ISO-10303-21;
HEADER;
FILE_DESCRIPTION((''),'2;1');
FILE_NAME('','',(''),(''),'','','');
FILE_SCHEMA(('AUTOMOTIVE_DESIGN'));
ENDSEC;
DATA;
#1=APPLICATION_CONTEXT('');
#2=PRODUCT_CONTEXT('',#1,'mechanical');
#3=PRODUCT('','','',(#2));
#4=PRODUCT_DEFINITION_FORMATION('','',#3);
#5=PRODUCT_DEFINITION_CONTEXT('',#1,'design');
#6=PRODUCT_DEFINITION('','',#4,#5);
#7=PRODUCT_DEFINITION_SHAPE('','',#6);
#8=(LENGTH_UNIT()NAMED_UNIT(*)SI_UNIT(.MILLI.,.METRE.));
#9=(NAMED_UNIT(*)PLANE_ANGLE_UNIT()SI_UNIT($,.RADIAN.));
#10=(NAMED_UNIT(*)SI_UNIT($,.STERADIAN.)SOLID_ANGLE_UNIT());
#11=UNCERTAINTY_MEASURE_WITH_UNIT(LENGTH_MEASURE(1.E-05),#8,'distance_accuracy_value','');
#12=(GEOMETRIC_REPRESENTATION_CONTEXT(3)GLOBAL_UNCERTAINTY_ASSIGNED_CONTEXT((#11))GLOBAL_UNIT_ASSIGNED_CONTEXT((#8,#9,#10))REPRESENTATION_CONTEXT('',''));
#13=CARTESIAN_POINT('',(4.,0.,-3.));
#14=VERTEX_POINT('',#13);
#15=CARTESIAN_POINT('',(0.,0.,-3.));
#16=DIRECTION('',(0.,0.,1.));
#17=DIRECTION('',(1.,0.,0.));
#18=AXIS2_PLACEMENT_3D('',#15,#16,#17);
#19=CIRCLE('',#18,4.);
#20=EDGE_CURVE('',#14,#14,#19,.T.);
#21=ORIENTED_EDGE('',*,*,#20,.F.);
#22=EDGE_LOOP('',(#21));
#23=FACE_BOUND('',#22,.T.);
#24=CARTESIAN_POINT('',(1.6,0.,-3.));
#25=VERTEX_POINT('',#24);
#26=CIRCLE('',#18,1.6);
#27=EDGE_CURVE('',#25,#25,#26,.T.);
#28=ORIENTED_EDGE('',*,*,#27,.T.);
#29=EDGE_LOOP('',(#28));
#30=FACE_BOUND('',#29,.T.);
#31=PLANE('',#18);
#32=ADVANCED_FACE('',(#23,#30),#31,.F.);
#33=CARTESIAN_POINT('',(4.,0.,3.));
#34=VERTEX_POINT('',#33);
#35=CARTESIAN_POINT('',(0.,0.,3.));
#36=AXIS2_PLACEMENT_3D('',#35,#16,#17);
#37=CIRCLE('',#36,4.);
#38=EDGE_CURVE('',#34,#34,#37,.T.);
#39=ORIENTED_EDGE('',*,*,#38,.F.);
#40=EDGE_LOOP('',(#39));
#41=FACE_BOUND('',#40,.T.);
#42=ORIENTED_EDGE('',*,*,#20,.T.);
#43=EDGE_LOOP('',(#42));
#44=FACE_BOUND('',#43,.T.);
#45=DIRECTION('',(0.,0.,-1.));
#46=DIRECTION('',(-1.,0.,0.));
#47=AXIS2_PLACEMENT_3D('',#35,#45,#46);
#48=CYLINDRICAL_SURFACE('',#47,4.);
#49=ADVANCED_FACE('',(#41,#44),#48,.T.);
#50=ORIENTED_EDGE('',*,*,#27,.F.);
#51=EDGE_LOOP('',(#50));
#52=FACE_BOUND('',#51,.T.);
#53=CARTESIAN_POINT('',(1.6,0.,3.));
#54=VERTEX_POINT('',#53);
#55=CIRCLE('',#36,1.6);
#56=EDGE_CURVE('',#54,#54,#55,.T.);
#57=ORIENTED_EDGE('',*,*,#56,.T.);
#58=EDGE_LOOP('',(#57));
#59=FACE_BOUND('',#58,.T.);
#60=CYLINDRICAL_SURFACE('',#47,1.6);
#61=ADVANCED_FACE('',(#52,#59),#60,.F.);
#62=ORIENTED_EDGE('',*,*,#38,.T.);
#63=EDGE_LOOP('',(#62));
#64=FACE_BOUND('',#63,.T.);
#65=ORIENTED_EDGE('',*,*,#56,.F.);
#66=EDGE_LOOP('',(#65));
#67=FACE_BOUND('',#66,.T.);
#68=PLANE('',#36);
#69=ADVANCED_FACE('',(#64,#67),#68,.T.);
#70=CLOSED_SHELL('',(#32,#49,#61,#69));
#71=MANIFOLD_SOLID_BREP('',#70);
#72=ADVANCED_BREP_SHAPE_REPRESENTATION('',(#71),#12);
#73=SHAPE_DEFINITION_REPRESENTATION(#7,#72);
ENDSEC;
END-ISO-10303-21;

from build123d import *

# Parameters (mm, degrees)
ESBO_O1_R                = 4
ESBO_O1_R_2              = 1.6
RESSALTO_EXTRUS_O1_DEPTH = 3


with BuildPart() as part:
    # Esboço1 → Ressalto-extrusão1 (new, symmetric)
    with BuildSketch(Plane.XY):
        Circle(ESBO_O1_R)
        Circle(ESBO_O1_R_2, mode=Mode.SUBTRACT)
    extrude(amount=RESSALTO_EXTRUS_O1_DEPTH, both=True)


solid = part.part
